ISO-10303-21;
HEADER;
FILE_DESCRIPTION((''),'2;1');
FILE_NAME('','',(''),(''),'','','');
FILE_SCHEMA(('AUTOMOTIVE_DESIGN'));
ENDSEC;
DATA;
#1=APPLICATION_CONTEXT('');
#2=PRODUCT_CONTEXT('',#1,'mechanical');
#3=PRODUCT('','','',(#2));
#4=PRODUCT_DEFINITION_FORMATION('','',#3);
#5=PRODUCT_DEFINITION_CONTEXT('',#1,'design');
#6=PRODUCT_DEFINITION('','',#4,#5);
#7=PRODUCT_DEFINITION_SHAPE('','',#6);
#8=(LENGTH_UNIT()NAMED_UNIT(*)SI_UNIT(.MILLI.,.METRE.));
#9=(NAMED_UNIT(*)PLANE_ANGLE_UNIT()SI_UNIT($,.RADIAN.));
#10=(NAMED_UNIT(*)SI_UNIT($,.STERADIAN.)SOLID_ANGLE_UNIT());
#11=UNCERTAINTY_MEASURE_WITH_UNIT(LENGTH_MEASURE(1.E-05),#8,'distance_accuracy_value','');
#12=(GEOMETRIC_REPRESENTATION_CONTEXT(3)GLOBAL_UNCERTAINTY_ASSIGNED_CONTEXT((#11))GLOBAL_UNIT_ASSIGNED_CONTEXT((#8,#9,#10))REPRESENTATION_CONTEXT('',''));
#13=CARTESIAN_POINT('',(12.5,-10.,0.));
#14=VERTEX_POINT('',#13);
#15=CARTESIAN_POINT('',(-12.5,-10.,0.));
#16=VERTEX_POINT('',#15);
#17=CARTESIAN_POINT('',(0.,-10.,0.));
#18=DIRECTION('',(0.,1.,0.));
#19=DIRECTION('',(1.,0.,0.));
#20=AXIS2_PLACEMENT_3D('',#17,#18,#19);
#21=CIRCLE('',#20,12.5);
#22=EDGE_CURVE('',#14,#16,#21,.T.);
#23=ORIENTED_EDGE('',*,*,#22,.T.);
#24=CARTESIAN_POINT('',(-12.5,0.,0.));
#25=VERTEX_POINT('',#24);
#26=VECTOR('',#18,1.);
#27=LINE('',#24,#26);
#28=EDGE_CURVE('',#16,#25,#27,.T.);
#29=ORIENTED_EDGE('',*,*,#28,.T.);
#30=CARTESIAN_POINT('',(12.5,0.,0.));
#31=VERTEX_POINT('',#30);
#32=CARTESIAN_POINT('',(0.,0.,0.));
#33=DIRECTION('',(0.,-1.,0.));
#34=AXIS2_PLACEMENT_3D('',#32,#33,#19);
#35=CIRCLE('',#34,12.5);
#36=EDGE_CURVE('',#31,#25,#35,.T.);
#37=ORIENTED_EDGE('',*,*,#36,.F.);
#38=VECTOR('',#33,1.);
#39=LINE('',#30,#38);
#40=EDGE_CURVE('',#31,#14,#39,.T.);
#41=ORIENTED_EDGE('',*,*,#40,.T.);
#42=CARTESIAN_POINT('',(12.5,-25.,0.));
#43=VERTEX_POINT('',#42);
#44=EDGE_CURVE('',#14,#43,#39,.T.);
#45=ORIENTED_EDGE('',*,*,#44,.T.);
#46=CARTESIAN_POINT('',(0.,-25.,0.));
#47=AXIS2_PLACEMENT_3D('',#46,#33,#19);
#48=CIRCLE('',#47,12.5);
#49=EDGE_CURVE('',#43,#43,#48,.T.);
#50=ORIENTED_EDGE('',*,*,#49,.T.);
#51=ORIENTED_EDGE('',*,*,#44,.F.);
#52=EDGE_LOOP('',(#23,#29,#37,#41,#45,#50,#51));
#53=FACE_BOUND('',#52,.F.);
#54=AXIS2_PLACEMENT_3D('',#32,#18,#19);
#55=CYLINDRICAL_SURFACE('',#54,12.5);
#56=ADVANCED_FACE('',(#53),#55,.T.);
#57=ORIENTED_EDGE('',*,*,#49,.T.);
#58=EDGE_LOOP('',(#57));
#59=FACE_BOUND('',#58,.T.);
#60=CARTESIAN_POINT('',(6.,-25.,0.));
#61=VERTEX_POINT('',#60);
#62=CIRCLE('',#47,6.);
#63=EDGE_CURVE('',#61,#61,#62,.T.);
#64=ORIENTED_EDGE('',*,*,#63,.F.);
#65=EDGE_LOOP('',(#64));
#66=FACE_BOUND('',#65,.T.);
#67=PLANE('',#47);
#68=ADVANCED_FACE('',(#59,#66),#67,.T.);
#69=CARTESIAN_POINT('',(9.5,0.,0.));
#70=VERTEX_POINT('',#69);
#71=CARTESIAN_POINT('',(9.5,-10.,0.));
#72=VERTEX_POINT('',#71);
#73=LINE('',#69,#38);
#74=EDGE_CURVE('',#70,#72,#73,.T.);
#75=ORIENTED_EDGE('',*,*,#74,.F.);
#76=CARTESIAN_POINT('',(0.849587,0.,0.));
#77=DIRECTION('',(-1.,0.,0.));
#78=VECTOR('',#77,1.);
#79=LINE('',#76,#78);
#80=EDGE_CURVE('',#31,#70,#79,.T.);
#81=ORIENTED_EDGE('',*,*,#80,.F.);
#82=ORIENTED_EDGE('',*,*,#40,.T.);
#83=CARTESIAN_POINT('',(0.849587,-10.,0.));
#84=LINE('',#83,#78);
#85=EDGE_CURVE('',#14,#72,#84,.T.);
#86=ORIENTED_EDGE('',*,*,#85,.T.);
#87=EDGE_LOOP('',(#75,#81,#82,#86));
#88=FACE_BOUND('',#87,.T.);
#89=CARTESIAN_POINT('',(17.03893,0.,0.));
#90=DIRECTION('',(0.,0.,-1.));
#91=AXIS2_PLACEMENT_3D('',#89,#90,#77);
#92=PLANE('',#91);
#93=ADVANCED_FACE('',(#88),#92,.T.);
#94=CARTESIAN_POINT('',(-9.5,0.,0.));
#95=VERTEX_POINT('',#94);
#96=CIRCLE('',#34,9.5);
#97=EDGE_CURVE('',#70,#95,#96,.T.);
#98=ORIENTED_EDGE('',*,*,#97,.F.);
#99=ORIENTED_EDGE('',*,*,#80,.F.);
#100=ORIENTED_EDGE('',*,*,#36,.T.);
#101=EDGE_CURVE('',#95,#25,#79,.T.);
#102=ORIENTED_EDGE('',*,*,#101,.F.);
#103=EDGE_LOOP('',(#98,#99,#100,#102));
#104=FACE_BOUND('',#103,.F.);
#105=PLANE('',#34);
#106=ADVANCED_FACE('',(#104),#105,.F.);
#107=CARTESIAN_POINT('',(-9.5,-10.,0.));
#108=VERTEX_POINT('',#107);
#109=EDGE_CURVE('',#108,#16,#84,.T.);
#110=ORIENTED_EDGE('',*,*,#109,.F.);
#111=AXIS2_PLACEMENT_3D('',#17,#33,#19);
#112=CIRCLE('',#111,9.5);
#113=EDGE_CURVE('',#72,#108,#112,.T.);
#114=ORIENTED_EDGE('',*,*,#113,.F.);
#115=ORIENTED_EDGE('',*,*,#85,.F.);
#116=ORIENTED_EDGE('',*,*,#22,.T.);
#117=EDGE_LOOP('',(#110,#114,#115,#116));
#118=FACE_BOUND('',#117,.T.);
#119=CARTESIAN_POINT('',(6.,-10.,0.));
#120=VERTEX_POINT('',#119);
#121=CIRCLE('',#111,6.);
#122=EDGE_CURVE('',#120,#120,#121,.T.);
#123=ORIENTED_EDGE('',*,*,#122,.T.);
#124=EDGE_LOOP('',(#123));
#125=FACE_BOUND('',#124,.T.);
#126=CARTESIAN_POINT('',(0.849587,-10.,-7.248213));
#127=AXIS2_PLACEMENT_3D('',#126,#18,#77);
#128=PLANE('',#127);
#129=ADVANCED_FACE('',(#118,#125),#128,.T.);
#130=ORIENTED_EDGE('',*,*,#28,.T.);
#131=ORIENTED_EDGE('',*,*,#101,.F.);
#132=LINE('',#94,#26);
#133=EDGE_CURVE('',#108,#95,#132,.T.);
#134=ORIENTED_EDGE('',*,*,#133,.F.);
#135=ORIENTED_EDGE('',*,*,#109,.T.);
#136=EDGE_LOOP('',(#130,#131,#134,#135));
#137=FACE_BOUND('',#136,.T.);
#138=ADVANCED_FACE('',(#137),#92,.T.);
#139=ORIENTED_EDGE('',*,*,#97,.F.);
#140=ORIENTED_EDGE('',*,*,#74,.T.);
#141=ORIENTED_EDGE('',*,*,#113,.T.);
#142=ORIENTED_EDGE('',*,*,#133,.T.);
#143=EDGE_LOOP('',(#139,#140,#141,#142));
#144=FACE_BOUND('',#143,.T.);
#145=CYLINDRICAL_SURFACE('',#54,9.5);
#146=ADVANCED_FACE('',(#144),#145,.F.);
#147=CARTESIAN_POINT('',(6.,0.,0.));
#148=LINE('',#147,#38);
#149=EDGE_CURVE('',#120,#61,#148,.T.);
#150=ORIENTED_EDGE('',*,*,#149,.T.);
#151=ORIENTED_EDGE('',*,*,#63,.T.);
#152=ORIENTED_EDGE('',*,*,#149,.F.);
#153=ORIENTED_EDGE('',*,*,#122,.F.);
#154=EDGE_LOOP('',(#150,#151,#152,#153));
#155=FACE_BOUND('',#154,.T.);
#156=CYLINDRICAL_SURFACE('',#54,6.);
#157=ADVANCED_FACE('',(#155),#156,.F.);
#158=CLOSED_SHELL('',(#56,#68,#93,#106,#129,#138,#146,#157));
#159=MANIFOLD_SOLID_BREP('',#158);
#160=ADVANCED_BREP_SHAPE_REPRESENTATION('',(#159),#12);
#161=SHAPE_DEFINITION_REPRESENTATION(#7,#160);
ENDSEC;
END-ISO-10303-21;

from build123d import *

# Parameters (mm, degrees)
F0_R     = 12.5
F0_R_2   = 6
F1_DEPTH = 25
F2_R     = 9.5
F3_DEPTH = 10
F4_W     = 32.378687
F4_H     = 14.496426
F5_DEPTH = 10


with BuildPart() as f1:
    # F0 (on Front) → F1 (new body)
    with BuildSketch(Plane.XZ):
        Circle(F0_R)
        Circle(F0_R_2, mode=Mode.SUBTRACT)
    extrude(amount=F1_DEPTH)

    # F2 (on Front) → F3 (cut)
    with BuildSketch(Plane.XZ):
        Circle(F2_R)
    extrude(amount=F3_DEPTH, mode=Mode.SUBTRACT)

    # F4 (on face) → F5 (cut)
    with BuildSketch(Plane(origin=(0, 0, 0), x_dir=(-1, 0, 0), z_dir=(0, 1, 0))):
        with Locations((-0.849587, -7.248213)):
            Rectangle(F4_W, F4_H)
    extrude(amount=-F5_DEPTH, mode=Mode.SUBTRACT)


solid = f1.part
